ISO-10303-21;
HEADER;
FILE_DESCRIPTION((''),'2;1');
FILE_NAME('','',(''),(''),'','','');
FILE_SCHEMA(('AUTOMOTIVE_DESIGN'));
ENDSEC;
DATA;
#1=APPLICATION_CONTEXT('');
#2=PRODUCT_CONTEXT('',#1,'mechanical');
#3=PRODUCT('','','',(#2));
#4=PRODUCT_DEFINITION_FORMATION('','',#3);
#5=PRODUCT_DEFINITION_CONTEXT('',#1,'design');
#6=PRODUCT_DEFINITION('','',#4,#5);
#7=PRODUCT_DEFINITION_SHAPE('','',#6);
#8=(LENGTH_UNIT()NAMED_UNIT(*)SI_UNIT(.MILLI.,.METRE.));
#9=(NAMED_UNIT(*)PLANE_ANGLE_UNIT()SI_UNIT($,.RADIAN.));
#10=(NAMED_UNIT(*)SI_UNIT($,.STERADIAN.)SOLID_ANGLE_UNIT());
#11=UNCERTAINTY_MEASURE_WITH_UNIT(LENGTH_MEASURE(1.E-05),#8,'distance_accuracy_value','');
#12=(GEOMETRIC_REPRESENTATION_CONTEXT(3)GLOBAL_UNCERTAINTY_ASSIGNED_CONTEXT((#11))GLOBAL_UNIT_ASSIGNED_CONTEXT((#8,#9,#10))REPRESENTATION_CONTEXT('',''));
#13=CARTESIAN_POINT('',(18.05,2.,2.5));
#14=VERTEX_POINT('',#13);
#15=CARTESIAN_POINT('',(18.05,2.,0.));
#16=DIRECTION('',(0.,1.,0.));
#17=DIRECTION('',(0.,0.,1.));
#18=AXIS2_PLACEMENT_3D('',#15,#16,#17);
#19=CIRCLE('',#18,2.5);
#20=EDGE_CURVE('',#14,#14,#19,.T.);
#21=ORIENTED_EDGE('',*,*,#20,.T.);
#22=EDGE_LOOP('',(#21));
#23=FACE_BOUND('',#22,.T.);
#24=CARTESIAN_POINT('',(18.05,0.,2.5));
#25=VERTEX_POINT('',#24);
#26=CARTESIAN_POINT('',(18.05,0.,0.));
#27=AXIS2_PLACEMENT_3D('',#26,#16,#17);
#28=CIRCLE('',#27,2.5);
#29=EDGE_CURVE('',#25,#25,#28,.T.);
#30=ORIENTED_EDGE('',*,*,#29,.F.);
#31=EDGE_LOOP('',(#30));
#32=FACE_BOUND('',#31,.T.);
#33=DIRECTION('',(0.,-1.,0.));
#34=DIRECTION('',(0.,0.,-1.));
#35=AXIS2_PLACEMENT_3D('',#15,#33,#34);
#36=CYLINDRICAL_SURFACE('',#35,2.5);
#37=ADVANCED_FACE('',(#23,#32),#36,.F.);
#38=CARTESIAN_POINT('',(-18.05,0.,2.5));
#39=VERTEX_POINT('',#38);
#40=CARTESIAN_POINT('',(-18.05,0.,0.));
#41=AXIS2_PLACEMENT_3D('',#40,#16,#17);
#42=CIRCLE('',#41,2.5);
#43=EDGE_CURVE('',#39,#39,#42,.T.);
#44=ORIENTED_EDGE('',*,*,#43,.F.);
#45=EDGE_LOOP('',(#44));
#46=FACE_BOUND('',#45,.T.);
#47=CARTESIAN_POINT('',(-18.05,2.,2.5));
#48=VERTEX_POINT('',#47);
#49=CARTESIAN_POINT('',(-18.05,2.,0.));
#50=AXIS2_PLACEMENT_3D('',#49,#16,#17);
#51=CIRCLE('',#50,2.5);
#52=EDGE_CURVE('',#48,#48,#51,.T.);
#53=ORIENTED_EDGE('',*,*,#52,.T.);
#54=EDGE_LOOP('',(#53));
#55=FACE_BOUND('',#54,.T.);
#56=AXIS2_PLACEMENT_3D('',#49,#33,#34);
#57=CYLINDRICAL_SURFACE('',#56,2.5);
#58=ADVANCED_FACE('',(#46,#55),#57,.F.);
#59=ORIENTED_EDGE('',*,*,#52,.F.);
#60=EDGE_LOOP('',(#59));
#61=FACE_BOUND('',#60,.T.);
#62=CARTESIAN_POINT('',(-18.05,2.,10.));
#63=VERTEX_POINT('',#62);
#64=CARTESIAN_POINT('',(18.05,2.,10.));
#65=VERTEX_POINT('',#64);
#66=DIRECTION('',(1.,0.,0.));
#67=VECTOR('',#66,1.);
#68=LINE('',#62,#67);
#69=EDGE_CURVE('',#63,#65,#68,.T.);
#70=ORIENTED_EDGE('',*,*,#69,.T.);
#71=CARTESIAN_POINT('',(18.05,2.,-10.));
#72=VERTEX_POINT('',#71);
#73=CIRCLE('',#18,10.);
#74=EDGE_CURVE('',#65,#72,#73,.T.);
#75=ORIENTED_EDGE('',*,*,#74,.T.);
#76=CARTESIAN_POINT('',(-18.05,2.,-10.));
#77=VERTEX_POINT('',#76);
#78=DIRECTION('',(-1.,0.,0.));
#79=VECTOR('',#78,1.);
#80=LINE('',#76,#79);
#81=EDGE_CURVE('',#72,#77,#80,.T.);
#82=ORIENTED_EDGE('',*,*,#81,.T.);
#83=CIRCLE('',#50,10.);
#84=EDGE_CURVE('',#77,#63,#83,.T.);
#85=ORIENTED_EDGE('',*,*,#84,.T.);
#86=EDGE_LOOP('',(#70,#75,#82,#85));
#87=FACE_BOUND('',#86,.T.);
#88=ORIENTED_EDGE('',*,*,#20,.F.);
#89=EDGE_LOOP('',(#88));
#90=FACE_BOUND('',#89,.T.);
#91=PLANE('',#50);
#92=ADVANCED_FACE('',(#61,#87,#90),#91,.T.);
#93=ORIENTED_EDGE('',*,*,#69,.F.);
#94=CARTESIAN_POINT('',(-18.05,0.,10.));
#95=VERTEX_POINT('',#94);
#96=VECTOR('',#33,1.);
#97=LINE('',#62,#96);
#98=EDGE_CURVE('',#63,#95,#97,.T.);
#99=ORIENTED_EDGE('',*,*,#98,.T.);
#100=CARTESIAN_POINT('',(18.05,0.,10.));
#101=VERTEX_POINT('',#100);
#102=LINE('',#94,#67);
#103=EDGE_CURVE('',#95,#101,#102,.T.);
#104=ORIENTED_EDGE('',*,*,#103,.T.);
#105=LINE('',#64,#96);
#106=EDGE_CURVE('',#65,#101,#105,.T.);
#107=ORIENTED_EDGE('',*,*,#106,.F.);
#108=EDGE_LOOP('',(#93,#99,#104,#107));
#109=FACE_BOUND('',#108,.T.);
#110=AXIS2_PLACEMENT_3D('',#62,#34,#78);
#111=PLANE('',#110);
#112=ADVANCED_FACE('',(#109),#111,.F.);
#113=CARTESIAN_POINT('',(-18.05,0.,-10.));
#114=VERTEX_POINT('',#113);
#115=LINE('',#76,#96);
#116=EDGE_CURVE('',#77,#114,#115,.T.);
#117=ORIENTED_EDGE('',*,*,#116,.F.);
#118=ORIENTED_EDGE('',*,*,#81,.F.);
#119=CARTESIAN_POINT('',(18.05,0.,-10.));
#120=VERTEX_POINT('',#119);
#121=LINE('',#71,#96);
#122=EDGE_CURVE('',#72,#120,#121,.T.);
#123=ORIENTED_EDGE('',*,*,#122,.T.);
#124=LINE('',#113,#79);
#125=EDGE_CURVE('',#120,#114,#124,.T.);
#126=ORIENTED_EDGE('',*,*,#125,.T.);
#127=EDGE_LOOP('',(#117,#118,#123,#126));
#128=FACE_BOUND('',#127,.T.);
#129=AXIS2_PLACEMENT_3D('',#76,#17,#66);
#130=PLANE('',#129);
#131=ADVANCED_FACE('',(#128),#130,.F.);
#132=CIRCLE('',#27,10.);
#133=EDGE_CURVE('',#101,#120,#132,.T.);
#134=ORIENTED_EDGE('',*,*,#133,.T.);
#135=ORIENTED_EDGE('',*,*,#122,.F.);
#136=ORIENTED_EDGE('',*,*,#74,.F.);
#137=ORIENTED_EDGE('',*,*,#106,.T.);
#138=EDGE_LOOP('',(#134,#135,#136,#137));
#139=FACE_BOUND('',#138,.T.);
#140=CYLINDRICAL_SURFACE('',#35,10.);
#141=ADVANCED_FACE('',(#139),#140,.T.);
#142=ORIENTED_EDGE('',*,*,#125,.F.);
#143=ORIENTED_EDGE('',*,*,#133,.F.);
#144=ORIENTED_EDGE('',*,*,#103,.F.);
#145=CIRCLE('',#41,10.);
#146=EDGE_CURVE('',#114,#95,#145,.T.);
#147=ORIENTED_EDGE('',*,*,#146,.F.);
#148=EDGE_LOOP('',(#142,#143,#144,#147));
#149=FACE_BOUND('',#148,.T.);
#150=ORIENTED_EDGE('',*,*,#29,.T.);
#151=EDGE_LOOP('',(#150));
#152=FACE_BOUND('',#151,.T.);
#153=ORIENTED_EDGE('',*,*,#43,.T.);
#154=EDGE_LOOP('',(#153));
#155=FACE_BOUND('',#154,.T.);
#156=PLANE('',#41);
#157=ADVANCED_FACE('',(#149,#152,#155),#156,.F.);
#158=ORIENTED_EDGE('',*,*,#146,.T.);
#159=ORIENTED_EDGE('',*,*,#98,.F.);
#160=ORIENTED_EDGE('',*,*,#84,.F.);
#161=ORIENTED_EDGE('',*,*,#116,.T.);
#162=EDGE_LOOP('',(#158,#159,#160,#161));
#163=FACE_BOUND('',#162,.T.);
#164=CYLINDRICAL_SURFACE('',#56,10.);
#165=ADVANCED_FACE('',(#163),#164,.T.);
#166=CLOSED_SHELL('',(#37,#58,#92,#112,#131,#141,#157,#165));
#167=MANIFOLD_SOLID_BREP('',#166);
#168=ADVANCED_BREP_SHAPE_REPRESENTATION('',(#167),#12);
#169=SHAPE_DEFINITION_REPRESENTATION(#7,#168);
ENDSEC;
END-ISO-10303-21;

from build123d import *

# Parameters (mm, degrees)
IZIM1_R                     = 2.5
Y_KSEKLIK_EKSTR_ZYON1_DEPTH = 2


with BuildPart() as part:
    # Çizim1 → Yükseklik-Ekstrüzyon1 (new body)
    with BuildSketch(Plane(origin=(0, 0, 0), x_dir=(1, 0, 0), z_dir=(0, 1, 0))):
        with BuildLine():
            Line((-18.05, 10), (18.05, 10))
            ThreePointArc((18.05, 10), (28.05, 0), (18.05, -10))
            Line((18.05, -10), (-18.05, -10))
            ThreePointArc((-18.05, -10), (-28.05, 0), (-18.05, 10))
        make_face()
        with Locations(Location((-18.05, 0, 0), (0, 0, 270))):
            Circle(IZIM1_R, mode=Mode.SUBTRACT)
        with Locations(Location((18.05, 0, 0), (0, 0, 270))):
            Circle(IZIM1_R, mode=Mode.SUBTRACT)
    extrude(amount=Y_KSEKLIK_EKSTR_ZYON1_DEPTH)


solid = part.part
